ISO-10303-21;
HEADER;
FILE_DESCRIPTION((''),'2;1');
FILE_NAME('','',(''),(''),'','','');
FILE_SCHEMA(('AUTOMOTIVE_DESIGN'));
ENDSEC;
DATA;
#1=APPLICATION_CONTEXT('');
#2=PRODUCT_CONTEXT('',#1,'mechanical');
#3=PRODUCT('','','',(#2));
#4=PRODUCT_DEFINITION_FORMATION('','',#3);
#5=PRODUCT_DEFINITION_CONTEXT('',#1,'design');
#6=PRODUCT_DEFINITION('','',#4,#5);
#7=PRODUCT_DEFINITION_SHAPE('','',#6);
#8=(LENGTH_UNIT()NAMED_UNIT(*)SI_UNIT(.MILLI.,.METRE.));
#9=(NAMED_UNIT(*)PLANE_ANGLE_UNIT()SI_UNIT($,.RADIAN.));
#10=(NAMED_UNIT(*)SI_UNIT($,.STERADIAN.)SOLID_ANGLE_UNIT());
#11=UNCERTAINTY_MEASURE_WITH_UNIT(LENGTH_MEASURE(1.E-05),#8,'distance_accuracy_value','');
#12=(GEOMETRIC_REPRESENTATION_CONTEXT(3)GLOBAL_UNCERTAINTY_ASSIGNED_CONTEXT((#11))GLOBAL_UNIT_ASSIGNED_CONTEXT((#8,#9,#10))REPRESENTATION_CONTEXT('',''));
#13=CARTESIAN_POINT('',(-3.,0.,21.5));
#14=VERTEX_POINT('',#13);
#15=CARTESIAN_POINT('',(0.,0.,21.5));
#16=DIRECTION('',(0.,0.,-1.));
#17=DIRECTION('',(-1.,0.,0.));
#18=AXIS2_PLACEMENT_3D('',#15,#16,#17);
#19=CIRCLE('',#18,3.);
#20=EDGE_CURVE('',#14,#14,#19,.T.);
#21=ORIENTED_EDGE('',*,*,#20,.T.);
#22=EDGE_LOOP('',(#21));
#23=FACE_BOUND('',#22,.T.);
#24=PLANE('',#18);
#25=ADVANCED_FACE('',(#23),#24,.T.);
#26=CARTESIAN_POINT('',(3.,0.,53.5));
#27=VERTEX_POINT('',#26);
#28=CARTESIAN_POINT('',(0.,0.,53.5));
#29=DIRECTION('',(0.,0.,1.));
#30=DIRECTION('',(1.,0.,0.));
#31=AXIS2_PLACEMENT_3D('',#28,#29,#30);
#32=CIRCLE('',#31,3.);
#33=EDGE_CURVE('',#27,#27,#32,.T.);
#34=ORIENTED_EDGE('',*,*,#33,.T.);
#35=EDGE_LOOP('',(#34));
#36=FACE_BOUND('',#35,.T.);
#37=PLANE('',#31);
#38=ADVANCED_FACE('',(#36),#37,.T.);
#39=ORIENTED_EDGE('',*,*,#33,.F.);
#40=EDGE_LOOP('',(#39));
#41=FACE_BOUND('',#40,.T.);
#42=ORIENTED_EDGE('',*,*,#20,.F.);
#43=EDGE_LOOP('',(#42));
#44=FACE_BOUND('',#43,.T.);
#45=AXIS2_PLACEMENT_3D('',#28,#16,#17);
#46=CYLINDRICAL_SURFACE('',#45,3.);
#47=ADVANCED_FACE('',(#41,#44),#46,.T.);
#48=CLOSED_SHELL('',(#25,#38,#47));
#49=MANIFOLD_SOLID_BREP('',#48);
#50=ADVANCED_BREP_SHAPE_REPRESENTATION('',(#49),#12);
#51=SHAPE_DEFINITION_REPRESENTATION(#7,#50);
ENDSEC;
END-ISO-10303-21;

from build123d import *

# Parameters (mm, degrees)
ESQUISSE1_R             = 3
BOSS_EXTRU_1_DEPTH      = 53.5
ESQUISSE5_R             = 3
ENL_V_MAT_EXTRU_4_DEPTH = 21.5


with BuildPart() as part:
    # Esquisse1 → Boss.-Extru.1 (new body)
    with BuildSketch(Plane.XY):
        Circle(ESQUISSE1_R)
    extrude(amount=BOSS_EXTRU_1_DEPTH)

    # Esquisse5 → Enlèv. mat.-Extru.4 (cut)
    with BuildSketch(Plane(origin=(0, 0, 0), x_dir=(-1, 0, 0), z_dir=(0, 0, -1))):
        Circle(ESQUISSE5_R)
    extrude(amount=-ENL_V_MAT_EXTRU_4_DEPTH, mode=Mode.SUBTRACT)


solid = part.part
